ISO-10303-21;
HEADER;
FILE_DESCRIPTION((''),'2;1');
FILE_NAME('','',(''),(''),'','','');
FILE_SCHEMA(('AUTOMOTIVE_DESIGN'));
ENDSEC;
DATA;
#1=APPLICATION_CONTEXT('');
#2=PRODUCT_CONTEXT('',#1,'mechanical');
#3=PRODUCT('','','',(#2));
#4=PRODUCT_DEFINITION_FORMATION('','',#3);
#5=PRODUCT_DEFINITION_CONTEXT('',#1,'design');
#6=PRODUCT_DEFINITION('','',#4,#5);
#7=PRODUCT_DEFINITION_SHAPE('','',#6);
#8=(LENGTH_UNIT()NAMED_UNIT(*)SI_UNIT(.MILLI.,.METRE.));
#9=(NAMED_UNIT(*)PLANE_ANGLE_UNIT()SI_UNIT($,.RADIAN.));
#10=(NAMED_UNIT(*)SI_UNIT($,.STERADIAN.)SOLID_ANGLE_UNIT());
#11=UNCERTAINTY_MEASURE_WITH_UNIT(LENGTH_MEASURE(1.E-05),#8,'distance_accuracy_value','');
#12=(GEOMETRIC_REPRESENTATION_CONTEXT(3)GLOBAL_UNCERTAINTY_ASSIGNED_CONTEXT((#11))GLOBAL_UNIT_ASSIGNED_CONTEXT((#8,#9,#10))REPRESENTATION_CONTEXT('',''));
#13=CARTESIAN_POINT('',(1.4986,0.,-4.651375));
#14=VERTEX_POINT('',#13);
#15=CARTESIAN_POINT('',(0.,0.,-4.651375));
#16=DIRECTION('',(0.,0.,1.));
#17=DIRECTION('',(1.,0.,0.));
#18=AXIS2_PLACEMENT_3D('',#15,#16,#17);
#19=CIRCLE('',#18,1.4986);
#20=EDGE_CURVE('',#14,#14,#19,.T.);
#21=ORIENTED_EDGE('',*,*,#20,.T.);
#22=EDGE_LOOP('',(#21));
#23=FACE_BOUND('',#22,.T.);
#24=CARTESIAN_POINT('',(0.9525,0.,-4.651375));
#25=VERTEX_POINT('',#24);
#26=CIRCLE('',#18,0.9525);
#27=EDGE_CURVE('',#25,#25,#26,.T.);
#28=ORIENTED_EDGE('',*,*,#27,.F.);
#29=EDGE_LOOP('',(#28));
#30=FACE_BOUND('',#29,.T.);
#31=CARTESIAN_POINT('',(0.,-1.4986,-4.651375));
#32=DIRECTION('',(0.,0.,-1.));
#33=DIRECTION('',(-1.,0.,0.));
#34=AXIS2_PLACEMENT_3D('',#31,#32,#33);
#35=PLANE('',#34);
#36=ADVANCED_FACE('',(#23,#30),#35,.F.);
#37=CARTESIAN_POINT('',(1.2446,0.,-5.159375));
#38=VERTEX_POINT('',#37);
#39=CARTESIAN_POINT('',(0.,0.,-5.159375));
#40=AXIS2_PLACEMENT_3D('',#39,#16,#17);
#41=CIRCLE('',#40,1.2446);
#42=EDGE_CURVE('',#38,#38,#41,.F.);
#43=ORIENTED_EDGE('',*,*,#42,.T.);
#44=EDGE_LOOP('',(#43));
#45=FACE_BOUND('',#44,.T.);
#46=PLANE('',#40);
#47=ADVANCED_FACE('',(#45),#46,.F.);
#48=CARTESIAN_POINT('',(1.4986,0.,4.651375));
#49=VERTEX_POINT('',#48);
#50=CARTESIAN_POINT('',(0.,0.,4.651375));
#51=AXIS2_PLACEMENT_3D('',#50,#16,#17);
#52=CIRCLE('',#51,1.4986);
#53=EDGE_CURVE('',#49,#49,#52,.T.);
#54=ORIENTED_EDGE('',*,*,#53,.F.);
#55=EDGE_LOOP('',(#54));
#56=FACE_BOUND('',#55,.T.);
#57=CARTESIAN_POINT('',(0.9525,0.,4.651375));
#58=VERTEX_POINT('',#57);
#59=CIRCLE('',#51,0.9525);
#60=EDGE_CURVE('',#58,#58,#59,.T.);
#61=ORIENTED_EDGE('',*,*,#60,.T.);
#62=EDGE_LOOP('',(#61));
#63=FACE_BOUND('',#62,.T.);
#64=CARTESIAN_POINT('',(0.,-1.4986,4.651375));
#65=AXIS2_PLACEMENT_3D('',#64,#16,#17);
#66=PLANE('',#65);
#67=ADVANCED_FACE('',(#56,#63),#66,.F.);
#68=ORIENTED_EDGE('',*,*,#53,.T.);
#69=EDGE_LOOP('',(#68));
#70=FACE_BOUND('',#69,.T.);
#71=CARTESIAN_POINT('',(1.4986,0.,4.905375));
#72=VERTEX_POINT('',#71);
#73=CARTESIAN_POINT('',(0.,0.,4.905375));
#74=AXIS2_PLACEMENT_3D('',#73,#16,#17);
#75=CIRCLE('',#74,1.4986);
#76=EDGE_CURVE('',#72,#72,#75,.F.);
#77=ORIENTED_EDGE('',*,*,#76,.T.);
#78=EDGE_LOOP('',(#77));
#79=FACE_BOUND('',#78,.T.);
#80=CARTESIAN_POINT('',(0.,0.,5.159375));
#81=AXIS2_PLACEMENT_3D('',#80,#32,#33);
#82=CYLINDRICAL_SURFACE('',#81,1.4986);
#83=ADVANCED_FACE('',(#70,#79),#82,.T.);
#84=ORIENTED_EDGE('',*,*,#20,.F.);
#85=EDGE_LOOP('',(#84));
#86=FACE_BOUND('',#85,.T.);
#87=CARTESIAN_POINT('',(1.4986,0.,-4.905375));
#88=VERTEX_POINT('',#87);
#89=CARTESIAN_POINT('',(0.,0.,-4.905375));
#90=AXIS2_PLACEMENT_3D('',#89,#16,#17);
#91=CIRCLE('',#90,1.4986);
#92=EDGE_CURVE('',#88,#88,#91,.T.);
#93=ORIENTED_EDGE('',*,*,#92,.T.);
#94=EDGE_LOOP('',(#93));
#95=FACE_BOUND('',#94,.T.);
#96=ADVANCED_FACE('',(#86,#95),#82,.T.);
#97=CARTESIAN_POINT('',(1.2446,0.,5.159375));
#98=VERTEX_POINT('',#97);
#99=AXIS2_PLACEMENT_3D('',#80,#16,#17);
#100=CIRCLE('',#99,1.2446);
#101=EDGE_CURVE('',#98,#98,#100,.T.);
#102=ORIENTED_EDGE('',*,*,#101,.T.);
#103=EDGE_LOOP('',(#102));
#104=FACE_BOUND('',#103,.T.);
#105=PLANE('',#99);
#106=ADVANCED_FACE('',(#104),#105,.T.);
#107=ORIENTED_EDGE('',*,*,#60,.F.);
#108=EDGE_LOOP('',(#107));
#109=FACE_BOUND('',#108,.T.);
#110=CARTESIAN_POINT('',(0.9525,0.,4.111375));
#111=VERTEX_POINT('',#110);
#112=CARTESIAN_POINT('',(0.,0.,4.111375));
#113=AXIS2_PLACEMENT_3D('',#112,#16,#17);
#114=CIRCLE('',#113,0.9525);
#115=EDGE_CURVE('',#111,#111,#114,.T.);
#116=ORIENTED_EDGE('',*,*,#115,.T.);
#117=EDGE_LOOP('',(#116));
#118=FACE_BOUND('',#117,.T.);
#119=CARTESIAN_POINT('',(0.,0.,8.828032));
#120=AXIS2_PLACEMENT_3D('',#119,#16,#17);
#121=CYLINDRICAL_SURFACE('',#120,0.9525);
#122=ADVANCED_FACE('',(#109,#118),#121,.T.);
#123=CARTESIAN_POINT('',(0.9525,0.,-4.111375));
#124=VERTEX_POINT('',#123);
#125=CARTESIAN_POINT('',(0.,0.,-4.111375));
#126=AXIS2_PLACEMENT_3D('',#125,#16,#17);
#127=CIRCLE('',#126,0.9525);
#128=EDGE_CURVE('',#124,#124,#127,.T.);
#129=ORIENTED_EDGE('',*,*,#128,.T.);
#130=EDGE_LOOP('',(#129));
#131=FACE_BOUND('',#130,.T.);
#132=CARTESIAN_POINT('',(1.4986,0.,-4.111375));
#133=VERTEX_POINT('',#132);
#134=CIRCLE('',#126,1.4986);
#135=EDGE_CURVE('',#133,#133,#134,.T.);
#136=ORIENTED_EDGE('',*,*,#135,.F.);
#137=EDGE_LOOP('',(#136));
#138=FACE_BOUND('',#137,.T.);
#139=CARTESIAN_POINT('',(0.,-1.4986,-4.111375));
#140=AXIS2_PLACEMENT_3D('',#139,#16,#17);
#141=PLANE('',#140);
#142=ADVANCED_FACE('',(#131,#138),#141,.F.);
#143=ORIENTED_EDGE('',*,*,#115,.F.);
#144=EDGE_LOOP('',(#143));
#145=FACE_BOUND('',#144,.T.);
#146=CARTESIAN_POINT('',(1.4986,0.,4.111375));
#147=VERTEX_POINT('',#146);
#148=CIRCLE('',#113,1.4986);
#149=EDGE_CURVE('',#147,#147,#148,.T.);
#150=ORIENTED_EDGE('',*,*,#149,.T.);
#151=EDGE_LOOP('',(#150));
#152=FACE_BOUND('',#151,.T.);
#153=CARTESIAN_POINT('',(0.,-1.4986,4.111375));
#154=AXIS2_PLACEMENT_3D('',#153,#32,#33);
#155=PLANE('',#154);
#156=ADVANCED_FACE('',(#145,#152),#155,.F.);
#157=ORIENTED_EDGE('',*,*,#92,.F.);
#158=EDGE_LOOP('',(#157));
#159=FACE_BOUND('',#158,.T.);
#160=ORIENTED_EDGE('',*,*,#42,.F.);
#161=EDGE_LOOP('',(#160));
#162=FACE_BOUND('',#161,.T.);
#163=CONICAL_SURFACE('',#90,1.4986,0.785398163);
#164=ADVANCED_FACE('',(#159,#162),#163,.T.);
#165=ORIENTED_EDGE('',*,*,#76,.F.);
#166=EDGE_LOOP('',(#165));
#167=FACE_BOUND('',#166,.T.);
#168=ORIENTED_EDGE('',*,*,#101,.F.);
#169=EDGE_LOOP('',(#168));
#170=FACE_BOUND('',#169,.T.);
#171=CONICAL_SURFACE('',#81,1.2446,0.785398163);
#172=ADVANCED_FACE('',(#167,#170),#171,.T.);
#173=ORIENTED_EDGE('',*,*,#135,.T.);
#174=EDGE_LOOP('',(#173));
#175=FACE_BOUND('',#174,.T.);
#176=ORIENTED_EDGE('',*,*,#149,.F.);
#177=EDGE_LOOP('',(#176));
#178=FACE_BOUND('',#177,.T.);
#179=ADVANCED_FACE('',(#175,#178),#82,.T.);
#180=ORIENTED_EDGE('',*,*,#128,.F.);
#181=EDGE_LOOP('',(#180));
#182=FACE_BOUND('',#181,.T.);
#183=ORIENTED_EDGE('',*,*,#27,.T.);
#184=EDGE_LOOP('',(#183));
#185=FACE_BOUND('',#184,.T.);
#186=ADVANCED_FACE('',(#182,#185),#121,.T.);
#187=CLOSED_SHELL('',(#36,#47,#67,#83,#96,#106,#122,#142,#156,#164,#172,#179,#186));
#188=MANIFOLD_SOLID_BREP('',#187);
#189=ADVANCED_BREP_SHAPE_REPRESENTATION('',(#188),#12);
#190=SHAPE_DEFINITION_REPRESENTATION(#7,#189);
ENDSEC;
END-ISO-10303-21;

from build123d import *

# Parameters (mm, degrees)
SKETCH1_R           = 1.4986
BOSS_EXTRUDE1_DEPTH = 5.159375
SKETCH2_W           = 0.54
SKETCH2_H           = 0.5461
CHAMFER1_SIZE       = 0.254


with BuildPart() as part:
    # Sketch1 → Boss-Extrude1 (new body, symmetric)
    with BuildSketch(Plane.XY):
        Circle(SKETCH1_R)
    extrude(amount=BOSS_EXTRUDE1_DEPTH, both=True)

    # Sketch2 → Cut-Revolve1 (revolve, cut)
    with BuildSketch(Plane(origin=(0, 0, 0), x_dir=(0, 0, -1), z_dir=(1, 0, 0))):
        with Locations((-4.381375, -1.22555)):
            Rectangle(SKETCH2_W, SKETCH2_H)
        with Locations((4.381375, -1.22555)):
            Rectangle(SKETCH2_W, SKETCH2_H)
    revolve(axis=Axis((0, 0, 8.828032455), (0, 0, -1)), mode=Mode.SUBTRACT)

    # Chamfer1
    chamfer1_edges = [part.edges().sort_by_distance(p)[0] for p in [
        (-1.4986, 0, -5.159375),
        (-1.4986, 0, 5.159375),
    ]]
    chamfer(chamfer1_edges, length=CHAMFER1_SIZE)


solid = part.part
